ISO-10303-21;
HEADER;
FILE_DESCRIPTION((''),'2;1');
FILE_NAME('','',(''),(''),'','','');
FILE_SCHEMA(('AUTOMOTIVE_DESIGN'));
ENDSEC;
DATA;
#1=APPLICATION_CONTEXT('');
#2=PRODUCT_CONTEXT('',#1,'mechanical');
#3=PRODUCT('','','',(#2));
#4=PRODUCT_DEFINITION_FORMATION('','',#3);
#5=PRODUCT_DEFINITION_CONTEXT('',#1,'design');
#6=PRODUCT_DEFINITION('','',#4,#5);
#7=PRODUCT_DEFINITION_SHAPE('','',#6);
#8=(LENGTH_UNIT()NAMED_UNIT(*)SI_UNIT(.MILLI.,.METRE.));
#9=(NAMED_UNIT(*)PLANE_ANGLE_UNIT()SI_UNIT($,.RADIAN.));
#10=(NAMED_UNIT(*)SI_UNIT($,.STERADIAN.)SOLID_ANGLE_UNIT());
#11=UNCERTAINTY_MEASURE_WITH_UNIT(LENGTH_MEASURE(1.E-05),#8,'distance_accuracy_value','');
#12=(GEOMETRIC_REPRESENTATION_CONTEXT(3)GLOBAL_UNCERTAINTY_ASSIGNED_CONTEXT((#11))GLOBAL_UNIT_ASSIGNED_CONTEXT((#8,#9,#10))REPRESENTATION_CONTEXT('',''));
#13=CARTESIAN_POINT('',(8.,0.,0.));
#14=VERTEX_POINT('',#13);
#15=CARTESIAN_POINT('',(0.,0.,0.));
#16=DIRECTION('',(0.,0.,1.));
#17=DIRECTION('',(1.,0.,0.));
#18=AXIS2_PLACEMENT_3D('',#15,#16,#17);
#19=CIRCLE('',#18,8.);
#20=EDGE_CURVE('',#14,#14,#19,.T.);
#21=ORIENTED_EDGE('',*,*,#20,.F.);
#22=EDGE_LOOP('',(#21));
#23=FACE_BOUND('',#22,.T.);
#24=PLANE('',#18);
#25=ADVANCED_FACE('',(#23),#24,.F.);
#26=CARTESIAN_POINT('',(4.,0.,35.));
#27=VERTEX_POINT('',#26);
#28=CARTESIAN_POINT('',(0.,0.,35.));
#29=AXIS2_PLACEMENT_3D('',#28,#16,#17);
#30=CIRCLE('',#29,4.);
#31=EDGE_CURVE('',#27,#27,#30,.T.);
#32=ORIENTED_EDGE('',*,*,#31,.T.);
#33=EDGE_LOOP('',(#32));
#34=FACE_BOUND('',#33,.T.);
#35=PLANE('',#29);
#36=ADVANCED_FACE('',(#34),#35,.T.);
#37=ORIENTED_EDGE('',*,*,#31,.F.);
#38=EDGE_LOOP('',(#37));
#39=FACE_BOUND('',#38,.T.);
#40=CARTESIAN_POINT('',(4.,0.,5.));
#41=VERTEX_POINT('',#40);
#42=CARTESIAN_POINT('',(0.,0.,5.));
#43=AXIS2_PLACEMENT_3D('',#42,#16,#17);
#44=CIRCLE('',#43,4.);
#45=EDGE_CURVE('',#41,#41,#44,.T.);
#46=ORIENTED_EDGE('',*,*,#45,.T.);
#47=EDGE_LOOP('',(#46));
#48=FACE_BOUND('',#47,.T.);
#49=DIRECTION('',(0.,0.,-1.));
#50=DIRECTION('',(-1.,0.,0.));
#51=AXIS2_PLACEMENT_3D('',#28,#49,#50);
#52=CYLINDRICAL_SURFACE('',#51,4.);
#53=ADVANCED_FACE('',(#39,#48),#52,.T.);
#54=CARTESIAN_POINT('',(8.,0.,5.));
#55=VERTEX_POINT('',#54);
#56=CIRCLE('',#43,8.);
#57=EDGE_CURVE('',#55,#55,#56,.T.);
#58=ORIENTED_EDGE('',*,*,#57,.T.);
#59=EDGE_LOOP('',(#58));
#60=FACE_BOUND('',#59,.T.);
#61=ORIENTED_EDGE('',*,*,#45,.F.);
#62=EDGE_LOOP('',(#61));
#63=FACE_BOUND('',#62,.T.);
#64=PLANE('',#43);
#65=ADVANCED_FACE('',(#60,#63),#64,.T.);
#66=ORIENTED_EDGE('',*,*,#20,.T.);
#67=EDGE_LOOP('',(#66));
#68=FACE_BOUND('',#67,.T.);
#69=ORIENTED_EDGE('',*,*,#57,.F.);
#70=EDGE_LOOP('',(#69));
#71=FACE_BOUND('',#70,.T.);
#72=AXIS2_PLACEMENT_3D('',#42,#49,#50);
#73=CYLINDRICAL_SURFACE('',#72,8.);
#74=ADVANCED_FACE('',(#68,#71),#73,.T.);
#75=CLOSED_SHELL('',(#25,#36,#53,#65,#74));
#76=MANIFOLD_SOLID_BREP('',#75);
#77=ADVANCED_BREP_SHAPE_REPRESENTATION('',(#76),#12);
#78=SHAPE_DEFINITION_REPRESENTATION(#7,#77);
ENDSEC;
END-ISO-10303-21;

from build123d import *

# Parameters (mm, degrees)
SKETCH1_R           = 8
BOSS_EXTRUDE1_DEPTH = 5
SKETCH2_R           = 4
BOSS_EXTRUDE2_DEPTH = 30


with BuildPart() as part:
    # Sketch1 → Boss-Extrude1 (new body)
    with BuildSketch(Plane.XY):
        Circle(SKETCH1_R)
    extrude(amount=BOSS_EXTRUDE1_DEPTH)

    # Sketch2 → Boss-Extrude2 (add)
    with BuildSketch(Plane.XY.offset(5)):
        Circle(SKETCH2_R)
    extrude(amount=BOSS_EXTRUDE2_DEPTH)


solid = part.part
